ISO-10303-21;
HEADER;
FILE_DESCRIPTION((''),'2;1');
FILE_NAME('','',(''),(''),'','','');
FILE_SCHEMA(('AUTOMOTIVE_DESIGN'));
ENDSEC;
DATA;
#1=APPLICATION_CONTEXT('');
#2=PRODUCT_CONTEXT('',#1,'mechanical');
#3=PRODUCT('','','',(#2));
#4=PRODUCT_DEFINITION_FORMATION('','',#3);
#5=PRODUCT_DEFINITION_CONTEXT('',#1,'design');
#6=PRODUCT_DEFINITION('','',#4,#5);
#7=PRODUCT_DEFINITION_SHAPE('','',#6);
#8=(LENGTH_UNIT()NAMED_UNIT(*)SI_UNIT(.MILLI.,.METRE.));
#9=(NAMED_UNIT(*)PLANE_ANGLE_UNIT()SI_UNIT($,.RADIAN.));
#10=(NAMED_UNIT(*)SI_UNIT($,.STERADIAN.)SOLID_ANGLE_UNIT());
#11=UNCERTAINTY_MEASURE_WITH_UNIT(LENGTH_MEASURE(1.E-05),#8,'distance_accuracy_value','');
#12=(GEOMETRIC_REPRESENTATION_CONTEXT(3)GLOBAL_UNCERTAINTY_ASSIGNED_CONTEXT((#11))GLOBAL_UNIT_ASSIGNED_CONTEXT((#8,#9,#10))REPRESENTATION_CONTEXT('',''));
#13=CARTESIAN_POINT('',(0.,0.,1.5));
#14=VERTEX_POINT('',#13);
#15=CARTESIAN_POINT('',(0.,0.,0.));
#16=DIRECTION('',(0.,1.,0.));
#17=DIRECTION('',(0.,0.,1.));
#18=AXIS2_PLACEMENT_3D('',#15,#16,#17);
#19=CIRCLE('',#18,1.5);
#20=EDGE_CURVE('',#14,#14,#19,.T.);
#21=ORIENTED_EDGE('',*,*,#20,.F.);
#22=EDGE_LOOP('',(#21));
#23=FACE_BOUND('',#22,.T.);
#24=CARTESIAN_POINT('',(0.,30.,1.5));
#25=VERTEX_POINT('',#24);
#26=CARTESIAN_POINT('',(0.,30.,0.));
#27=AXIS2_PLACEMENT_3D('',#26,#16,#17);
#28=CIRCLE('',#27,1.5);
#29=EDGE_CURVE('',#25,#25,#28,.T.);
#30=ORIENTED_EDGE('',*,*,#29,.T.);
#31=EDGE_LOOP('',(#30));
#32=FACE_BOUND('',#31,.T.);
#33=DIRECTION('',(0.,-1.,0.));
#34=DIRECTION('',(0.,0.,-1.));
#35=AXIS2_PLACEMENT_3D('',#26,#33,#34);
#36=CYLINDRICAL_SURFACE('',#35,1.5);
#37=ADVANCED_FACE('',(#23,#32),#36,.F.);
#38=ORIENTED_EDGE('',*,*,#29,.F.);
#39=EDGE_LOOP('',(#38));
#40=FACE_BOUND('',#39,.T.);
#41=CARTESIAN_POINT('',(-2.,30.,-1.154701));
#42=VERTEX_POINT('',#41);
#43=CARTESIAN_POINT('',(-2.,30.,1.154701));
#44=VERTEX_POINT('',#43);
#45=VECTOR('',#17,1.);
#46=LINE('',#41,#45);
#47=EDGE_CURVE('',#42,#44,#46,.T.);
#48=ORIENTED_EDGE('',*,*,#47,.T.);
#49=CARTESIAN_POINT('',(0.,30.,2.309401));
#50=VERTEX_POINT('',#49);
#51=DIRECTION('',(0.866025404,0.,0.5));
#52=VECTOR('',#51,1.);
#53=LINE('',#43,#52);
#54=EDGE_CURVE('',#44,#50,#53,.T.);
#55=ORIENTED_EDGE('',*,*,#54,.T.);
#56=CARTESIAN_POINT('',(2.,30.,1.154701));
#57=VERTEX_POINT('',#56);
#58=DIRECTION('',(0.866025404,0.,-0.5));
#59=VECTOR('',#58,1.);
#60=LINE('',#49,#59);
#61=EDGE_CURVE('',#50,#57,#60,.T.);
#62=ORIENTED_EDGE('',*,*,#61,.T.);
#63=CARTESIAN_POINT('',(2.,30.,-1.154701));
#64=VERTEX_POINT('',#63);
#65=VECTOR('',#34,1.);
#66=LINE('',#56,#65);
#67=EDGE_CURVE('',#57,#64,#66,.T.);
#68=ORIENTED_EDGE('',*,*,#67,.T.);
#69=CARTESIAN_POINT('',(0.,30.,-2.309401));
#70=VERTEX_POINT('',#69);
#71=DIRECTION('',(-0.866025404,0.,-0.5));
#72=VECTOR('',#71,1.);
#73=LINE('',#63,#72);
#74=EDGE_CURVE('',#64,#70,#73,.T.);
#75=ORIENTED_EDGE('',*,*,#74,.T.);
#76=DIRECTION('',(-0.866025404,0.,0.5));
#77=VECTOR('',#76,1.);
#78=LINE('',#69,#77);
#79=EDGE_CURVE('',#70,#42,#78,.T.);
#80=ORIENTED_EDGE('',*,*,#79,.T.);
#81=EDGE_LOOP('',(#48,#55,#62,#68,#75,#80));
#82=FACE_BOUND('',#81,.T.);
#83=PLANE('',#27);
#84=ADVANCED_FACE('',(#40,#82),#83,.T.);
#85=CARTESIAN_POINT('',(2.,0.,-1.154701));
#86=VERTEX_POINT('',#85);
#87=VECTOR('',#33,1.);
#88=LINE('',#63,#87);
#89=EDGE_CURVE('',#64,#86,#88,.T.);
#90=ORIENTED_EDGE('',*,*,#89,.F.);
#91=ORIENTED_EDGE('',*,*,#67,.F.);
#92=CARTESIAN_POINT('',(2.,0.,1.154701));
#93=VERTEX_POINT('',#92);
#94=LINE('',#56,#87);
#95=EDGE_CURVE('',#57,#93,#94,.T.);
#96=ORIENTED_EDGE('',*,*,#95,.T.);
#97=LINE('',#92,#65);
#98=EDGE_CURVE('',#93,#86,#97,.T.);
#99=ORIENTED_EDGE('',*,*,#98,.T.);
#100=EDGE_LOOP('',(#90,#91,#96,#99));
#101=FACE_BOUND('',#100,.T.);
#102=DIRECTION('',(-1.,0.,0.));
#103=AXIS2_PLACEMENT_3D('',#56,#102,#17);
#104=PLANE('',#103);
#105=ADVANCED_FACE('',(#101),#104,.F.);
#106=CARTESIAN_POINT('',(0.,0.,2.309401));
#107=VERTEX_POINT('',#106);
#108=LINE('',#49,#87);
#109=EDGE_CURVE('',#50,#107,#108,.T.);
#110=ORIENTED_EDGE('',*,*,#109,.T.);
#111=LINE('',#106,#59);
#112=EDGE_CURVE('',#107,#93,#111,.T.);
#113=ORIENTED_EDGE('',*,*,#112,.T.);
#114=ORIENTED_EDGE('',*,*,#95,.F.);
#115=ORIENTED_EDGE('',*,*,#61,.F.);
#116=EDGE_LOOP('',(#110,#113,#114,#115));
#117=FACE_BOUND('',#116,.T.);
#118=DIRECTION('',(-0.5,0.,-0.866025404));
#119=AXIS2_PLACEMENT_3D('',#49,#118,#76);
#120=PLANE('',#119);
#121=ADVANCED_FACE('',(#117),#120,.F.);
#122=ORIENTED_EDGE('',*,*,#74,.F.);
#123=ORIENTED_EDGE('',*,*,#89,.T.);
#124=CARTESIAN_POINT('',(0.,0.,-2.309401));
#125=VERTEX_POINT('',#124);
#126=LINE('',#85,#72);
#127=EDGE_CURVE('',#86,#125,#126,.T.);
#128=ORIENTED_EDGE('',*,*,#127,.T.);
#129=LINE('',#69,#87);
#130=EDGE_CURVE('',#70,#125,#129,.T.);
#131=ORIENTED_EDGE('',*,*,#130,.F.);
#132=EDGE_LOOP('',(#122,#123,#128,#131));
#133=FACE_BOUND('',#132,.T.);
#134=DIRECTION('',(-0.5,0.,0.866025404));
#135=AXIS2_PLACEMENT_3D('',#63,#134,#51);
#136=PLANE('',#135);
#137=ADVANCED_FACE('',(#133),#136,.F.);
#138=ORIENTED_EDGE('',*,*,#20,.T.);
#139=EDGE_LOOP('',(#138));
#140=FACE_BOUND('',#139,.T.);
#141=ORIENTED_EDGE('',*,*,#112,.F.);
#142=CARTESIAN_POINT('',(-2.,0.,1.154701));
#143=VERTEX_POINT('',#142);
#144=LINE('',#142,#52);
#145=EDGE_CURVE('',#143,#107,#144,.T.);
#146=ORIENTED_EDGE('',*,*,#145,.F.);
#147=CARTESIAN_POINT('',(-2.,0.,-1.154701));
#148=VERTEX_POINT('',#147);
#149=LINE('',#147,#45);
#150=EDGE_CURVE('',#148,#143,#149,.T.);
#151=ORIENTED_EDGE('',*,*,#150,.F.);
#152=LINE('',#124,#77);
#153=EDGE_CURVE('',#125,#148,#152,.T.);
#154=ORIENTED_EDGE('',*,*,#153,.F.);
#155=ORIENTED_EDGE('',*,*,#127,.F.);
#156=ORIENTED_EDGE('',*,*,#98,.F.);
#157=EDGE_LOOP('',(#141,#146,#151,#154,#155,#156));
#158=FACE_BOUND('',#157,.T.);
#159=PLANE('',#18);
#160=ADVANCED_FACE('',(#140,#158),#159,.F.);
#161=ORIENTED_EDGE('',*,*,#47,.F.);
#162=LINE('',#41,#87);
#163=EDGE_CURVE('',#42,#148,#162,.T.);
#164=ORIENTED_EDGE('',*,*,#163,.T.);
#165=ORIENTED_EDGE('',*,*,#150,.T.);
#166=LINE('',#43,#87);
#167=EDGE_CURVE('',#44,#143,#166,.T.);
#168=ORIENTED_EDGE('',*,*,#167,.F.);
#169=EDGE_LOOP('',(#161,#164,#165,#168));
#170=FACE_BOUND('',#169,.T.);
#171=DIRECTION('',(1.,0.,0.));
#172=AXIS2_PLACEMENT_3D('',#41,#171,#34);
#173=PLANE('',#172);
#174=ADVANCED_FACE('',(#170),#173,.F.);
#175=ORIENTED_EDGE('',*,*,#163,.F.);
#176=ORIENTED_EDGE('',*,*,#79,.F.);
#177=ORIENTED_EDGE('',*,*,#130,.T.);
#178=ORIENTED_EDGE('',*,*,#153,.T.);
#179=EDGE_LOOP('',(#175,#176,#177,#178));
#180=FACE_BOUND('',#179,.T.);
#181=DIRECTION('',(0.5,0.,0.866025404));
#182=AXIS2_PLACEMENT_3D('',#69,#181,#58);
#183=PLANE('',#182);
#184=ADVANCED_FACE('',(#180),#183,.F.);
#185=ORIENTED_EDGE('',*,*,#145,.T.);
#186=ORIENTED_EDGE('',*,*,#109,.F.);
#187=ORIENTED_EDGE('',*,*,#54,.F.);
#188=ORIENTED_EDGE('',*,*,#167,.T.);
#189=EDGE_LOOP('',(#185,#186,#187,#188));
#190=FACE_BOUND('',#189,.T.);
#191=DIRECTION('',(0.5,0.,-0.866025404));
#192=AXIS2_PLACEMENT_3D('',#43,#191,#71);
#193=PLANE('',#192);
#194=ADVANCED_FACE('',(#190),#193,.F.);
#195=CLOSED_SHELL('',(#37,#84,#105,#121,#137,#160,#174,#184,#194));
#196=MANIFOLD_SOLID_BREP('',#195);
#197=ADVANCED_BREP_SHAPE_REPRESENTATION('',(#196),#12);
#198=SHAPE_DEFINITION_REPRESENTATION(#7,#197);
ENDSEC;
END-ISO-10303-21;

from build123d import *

# Parameters (mm, degrees)
SKETCH_1_R      = 1.5
EXTRUDE_1_DEPTH = 30


with BuildPart() as part:
    # 草图1 → 凸台-拉伸1 (new body)
    with BuildSketch(Plane(origin=(0, 0, 0), x_dir=(1, 0, 0), z_dir=(0, 1, 0))):
        Polygon((0, 2.309401077), (-2, 1.154700538), (-2, -1.154700538), (0, -2.309401077), (2, -1.154700538), (2, 1.154700538), align=None)
        Circle(SKETCH_1_R, mode=Mode.SUBTRACT)
    extrude(amount=EXTRUDE_1_DEPTH)


solid = part.part
